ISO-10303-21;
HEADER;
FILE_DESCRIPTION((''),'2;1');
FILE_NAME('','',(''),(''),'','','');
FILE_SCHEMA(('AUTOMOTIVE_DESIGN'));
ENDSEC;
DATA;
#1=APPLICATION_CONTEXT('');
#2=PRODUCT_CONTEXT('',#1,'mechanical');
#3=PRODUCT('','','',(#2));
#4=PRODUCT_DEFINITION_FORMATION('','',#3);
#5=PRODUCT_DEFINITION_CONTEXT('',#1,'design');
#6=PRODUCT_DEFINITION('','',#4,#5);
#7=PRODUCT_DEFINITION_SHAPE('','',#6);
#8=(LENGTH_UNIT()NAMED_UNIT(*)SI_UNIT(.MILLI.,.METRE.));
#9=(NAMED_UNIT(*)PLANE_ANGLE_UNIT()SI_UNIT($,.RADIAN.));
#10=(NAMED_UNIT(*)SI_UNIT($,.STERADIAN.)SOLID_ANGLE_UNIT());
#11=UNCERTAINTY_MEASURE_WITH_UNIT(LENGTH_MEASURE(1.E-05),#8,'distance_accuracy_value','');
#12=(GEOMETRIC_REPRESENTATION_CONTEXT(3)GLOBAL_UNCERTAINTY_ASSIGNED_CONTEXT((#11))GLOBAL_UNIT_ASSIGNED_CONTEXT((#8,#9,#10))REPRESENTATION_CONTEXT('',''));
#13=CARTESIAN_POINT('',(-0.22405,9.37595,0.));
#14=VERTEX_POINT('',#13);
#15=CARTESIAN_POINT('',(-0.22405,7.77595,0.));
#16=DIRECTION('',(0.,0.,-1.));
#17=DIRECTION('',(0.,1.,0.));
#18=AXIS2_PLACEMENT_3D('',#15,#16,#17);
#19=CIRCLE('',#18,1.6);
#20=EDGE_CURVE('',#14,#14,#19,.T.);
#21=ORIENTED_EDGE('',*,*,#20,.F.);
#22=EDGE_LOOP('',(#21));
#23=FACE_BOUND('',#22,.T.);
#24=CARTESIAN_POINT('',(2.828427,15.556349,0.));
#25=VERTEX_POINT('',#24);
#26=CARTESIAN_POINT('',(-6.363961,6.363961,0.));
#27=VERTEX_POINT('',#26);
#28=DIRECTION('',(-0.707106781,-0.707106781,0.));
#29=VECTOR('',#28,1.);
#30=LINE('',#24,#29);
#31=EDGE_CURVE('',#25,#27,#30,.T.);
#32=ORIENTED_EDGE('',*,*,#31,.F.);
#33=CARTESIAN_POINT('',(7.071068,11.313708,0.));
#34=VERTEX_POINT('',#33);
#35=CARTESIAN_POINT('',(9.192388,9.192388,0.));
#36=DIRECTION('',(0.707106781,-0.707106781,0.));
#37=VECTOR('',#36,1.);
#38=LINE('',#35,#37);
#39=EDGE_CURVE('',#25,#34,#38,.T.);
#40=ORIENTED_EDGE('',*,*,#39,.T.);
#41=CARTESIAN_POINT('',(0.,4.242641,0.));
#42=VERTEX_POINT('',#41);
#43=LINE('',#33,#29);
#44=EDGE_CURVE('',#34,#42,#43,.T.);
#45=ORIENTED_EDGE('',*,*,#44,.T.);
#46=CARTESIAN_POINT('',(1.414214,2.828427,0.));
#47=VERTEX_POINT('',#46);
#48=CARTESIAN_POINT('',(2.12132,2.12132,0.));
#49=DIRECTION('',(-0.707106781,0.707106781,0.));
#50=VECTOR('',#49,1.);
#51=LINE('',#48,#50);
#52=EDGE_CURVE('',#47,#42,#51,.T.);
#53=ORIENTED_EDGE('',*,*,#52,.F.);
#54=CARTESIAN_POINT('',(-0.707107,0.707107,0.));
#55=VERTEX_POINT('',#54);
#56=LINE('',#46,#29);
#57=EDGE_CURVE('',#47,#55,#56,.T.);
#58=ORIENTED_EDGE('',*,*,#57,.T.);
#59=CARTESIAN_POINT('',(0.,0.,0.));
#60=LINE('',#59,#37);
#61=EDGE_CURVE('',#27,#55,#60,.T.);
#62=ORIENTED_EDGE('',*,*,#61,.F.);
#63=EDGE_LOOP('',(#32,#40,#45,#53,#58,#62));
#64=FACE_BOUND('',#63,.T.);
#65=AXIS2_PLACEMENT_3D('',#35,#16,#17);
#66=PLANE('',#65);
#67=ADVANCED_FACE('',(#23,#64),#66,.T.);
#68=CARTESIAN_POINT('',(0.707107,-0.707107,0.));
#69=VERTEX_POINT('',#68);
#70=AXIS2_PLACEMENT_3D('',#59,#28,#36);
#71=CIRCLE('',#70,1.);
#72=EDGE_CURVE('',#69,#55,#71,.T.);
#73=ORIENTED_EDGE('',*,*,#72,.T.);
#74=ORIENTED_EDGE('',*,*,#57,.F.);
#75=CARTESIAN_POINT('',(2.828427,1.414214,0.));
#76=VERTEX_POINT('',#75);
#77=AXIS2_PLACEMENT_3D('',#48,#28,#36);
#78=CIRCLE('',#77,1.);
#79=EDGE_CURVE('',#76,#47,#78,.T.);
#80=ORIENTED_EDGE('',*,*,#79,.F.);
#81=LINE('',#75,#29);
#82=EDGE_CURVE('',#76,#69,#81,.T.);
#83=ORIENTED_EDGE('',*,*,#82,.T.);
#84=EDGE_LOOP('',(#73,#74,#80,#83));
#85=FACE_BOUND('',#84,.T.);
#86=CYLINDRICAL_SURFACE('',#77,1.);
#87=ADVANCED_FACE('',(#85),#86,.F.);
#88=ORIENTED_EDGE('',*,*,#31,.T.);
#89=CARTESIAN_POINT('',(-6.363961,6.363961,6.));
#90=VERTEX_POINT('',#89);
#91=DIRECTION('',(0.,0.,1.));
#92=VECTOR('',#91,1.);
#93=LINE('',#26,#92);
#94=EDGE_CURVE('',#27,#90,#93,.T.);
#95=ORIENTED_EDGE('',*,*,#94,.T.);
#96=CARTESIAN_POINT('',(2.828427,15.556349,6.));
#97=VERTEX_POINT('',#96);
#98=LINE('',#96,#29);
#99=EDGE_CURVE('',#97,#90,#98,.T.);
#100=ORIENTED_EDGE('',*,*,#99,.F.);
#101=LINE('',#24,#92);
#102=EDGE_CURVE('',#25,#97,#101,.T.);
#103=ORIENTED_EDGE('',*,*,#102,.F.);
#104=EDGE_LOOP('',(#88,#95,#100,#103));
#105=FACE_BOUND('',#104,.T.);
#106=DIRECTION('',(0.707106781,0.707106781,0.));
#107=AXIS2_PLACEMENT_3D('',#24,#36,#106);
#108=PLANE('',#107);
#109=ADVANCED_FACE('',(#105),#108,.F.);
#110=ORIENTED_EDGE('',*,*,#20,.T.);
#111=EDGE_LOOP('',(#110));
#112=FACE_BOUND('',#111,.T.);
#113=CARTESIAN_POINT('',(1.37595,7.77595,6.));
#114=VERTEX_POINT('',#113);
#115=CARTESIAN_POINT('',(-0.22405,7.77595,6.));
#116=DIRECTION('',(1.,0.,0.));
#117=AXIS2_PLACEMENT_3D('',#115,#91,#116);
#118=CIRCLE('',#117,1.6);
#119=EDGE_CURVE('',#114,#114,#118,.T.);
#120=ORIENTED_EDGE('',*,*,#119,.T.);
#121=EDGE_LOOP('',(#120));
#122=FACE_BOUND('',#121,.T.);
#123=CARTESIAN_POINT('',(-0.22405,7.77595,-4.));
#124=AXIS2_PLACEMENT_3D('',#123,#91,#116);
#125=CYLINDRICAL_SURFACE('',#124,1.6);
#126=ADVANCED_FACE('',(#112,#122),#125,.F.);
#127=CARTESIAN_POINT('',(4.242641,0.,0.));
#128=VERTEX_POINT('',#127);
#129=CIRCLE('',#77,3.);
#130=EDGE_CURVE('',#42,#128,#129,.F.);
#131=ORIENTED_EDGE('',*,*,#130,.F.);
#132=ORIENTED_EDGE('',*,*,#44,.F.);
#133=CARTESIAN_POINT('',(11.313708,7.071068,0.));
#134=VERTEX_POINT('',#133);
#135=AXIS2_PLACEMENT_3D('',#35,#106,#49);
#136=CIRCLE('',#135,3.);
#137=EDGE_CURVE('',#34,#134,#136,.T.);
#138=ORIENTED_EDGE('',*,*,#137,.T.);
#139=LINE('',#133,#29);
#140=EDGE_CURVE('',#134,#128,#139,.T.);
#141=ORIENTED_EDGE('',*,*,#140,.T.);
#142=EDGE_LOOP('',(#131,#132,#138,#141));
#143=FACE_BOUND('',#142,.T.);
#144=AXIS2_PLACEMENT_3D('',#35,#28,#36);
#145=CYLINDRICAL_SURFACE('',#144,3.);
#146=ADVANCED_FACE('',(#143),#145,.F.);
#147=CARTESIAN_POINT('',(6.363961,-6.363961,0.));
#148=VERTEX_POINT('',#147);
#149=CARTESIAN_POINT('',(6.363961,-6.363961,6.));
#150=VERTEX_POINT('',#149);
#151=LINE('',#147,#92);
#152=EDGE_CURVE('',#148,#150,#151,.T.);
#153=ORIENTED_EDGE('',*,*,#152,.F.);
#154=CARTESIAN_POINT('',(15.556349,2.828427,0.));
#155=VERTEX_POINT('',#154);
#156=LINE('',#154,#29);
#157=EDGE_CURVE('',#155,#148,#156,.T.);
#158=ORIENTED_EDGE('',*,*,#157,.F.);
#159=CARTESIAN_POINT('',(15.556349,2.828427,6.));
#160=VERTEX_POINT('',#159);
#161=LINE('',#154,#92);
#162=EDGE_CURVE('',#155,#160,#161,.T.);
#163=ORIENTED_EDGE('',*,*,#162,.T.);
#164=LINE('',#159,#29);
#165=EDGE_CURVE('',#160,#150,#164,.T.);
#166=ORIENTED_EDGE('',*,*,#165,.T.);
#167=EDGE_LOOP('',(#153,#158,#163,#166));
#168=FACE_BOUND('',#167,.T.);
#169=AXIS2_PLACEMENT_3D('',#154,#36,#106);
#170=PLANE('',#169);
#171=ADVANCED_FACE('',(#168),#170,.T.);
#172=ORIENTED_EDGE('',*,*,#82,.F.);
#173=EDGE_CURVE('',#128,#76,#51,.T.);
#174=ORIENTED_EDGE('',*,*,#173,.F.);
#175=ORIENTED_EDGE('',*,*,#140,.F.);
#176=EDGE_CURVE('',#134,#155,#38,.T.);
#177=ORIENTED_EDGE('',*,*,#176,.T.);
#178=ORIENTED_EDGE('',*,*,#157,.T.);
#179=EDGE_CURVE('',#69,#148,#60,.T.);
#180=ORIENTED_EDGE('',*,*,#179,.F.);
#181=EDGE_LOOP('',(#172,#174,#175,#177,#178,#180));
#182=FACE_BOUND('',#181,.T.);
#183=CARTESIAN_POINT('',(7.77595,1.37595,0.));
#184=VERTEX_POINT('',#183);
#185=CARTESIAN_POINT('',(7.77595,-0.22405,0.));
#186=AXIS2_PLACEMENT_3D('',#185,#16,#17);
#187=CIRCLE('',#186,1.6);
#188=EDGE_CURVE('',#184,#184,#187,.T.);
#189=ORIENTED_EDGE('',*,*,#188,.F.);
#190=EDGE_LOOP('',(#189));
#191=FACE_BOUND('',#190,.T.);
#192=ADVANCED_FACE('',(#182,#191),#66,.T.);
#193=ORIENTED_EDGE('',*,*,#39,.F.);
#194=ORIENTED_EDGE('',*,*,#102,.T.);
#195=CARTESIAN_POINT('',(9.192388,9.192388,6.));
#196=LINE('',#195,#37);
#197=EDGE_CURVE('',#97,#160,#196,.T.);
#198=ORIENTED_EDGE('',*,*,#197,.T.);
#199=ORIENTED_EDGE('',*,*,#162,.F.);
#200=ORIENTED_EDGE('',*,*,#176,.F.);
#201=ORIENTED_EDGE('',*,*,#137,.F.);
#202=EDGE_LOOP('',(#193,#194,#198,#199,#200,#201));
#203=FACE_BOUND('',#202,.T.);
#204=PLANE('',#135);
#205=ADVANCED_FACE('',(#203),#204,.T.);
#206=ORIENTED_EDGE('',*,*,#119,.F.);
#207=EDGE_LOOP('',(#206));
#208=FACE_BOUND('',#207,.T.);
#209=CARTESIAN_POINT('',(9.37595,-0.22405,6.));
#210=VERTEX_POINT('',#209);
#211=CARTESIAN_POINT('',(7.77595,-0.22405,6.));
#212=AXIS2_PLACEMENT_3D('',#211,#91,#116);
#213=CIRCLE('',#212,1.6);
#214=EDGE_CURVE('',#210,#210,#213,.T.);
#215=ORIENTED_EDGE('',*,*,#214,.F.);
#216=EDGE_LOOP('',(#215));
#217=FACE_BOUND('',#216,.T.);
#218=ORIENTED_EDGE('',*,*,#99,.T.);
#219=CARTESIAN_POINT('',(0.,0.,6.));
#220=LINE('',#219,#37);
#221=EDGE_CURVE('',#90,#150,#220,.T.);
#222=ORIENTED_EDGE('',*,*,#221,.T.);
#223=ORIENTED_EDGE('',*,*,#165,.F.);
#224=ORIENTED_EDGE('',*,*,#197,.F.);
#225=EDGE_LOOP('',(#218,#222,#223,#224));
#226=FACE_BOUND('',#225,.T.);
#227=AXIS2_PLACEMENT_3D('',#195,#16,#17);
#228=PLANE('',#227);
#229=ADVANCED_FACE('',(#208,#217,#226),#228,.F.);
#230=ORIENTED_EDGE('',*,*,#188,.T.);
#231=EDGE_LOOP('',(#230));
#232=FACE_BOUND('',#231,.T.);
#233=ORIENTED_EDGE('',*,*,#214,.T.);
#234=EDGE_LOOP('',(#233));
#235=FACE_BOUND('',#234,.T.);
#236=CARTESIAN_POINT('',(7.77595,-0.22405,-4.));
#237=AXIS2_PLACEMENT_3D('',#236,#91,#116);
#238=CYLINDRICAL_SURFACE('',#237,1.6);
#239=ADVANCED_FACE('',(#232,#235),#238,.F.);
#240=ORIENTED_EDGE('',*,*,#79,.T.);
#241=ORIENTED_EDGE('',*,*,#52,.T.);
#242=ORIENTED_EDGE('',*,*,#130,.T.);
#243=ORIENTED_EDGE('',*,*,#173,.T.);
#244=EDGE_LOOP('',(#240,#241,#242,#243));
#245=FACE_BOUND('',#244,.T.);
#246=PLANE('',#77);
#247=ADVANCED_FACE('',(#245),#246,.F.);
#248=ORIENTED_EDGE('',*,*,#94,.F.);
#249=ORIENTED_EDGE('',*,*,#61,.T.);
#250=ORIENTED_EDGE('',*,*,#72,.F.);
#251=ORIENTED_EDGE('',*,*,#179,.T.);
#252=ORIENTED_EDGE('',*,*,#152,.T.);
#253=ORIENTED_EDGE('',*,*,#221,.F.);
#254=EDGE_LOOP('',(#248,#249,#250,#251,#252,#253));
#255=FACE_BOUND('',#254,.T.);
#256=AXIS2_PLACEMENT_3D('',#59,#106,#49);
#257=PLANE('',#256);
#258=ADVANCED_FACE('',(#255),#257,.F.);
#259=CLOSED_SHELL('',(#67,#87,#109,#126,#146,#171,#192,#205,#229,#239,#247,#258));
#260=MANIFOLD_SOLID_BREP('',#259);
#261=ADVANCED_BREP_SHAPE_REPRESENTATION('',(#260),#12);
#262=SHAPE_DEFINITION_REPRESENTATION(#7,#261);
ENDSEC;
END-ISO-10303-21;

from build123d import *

# Parameters (mm, degrees)
EXTRUDE_1_DEPTH     = 13
EXTRUDE_2_DEPTH     = 3
SKETCH_4_R          = 1.6
CUT_EXTRUDE_1_DEPTH = 10


with BuildPart() as part:
    # 草图3 → 凸台-拉伸1 (new body)
    with BuildSketch(Plane(origin=(0, 0, 0), x_dir=(0, 0, -1), z_dir=(0.7071067811865488, 0.7071067811865464, 0))):
        with BuildLine():
            Line((0, 3), (0, 9))
            Line((0, 9), (-6, 9))
            Line((-6, 9), (-6, -9))
            Line((-6, -9), (0, -9))
            Line((0, -9), (0, -3))
            ThreePointArc((0, -3), (-3, 0), (0, 3))
        make_face()
    extrude(amount=EXTRUDE_1_DEPTH)

    # 草图5 → 凸台-拉伸2 (add)
    with BuildSketch(Plane(origin=(0, 0, 0), x_dir=(0, 0, 1), z_dir=(-0.7071067811865488, -0.7071067811865462, 0))):
        with BuildLine():
            Line((0, -1), (0, -3))
            ThreePointArc((0, -3), (2.121320344, -2.121320344), (3, 0))
            ThreePointArc((3, 0), (2.121320344, 2.121320344), (0, 3))
            Line((0, 3), (0, 1))
            ThreePointArc((0, 1), (0.707106781, 0.707106781), (1, 0))
            ThreePointArc((1, 0), (0.707106781, -0.707106781), (0, -1))
        make_face()
    extrude(amount=-EXTRUDE_2_DEPTH)

    # 草图4 → 切除-拉伸1 (cut)
    with BuildSketch(Plane.XY.offset(6)):
        with Locations((-0.224049788, 7.775950212)):
            Circle(SKETCH_4_R)
        with Locations((7.775950212, -0.224049788)):
            Circle(SKETCH_4_R)
    extrude(amount=-CUT_EXTRUDE_1_DEPTH, mode=Mode.SUBTRACT)


solid = part.part
